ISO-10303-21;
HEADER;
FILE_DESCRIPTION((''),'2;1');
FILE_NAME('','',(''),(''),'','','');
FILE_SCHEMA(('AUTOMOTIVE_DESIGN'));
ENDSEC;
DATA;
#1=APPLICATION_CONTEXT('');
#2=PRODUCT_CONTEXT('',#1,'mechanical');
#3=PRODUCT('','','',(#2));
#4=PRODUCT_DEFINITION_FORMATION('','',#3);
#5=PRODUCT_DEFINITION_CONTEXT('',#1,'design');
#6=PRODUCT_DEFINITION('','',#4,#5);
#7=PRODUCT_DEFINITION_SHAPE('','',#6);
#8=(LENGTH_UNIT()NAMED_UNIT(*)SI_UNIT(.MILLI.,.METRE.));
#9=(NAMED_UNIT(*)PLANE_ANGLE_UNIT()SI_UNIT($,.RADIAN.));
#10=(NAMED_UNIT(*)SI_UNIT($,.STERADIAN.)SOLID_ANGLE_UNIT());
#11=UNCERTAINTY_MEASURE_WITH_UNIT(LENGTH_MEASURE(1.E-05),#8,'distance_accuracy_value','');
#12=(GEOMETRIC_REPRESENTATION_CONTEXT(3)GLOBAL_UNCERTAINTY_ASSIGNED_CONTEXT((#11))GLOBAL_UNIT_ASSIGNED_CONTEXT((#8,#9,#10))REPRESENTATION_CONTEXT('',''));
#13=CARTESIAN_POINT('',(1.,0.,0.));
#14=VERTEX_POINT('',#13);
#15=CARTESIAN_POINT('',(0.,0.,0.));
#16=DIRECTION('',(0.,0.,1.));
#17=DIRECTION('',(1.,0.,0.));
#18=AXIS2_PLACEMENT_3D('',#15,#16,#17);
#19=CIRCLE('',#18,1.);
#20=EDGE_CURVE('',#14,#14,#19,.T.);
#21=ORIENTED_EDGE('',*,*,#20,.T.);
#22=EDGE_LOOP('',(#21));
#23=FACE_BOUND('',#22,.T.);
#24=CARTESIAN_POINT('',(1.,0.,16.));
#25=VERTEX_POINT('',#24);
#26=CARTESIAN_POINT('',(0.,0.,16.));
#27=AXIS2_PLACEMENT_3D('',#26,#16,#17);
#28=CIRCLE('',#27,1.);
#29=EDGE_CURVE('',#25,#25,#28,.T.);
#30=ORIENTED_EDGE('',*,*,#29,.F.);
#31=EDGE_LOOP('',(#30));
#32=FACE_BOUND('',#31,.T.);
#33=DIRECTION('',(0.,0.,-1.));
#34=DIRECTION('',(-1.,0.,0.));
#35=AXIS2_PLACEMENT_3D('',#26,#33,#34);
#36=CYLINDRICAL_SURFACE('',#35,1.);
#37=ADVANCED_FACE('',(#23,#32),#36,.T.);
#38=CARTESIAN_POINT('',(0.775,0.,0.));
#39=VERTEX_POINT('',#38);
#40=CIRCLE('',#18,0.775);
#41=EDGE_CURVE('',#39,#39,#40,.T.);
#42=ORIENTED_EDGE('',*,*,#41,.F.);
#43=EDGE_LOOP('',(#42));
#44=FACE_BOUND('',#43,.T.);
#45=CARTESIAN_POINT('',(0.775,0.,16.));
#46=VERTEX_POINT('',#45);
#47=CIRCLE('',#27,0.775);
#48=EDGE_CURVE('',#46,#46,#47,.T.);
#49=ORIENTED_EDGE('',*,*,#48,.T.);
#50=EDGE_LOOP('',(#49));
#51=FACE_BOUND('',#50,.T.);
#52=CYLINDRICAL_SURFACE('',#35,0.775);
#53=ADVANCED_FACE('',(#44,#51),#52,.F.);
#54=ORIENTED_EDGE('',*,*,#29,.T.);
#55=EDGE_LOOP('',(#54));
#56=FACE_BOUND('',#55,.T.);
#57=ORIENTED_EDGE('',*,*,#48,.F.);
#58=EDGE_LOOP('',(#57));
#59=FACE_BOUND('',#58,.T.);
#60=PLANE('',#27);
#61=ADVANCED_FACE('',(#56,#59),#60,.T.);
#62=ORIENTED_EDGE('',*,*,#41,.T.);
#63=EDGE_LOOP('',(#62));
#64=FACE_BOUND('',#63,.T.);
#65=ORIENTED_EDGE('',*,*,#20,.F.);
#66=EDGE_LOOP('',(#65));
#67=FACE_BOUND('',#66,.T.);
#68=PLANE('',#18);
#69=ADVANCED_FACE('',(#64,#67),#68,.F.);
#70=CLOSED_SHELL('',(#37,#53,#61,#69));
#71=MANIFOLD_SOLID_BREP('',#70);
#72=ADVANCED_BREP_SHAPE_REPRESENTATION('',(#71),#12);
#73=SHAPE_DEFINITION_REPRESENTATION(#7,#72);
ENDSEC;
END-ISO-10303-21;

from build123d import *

# Parameters (mm, degrees)
SKETCH_1_R      = 1
SKETCH_1_R_2    = 0.775
EXTRUDE_1_DEPTH = 16


with BuildPart() as part:
    # Эскиз1 → Бобышка-Вытянуть1 (new body)
    with BuildSketch(Plane.XY):
        Circle(SKETCH_1_R)
        Circle(SKETCH_1_R_2, mode=Mode.SUBTRACT)
    extrude(amount=EXTRUDE_1_DEPTH)


solid = part.part
